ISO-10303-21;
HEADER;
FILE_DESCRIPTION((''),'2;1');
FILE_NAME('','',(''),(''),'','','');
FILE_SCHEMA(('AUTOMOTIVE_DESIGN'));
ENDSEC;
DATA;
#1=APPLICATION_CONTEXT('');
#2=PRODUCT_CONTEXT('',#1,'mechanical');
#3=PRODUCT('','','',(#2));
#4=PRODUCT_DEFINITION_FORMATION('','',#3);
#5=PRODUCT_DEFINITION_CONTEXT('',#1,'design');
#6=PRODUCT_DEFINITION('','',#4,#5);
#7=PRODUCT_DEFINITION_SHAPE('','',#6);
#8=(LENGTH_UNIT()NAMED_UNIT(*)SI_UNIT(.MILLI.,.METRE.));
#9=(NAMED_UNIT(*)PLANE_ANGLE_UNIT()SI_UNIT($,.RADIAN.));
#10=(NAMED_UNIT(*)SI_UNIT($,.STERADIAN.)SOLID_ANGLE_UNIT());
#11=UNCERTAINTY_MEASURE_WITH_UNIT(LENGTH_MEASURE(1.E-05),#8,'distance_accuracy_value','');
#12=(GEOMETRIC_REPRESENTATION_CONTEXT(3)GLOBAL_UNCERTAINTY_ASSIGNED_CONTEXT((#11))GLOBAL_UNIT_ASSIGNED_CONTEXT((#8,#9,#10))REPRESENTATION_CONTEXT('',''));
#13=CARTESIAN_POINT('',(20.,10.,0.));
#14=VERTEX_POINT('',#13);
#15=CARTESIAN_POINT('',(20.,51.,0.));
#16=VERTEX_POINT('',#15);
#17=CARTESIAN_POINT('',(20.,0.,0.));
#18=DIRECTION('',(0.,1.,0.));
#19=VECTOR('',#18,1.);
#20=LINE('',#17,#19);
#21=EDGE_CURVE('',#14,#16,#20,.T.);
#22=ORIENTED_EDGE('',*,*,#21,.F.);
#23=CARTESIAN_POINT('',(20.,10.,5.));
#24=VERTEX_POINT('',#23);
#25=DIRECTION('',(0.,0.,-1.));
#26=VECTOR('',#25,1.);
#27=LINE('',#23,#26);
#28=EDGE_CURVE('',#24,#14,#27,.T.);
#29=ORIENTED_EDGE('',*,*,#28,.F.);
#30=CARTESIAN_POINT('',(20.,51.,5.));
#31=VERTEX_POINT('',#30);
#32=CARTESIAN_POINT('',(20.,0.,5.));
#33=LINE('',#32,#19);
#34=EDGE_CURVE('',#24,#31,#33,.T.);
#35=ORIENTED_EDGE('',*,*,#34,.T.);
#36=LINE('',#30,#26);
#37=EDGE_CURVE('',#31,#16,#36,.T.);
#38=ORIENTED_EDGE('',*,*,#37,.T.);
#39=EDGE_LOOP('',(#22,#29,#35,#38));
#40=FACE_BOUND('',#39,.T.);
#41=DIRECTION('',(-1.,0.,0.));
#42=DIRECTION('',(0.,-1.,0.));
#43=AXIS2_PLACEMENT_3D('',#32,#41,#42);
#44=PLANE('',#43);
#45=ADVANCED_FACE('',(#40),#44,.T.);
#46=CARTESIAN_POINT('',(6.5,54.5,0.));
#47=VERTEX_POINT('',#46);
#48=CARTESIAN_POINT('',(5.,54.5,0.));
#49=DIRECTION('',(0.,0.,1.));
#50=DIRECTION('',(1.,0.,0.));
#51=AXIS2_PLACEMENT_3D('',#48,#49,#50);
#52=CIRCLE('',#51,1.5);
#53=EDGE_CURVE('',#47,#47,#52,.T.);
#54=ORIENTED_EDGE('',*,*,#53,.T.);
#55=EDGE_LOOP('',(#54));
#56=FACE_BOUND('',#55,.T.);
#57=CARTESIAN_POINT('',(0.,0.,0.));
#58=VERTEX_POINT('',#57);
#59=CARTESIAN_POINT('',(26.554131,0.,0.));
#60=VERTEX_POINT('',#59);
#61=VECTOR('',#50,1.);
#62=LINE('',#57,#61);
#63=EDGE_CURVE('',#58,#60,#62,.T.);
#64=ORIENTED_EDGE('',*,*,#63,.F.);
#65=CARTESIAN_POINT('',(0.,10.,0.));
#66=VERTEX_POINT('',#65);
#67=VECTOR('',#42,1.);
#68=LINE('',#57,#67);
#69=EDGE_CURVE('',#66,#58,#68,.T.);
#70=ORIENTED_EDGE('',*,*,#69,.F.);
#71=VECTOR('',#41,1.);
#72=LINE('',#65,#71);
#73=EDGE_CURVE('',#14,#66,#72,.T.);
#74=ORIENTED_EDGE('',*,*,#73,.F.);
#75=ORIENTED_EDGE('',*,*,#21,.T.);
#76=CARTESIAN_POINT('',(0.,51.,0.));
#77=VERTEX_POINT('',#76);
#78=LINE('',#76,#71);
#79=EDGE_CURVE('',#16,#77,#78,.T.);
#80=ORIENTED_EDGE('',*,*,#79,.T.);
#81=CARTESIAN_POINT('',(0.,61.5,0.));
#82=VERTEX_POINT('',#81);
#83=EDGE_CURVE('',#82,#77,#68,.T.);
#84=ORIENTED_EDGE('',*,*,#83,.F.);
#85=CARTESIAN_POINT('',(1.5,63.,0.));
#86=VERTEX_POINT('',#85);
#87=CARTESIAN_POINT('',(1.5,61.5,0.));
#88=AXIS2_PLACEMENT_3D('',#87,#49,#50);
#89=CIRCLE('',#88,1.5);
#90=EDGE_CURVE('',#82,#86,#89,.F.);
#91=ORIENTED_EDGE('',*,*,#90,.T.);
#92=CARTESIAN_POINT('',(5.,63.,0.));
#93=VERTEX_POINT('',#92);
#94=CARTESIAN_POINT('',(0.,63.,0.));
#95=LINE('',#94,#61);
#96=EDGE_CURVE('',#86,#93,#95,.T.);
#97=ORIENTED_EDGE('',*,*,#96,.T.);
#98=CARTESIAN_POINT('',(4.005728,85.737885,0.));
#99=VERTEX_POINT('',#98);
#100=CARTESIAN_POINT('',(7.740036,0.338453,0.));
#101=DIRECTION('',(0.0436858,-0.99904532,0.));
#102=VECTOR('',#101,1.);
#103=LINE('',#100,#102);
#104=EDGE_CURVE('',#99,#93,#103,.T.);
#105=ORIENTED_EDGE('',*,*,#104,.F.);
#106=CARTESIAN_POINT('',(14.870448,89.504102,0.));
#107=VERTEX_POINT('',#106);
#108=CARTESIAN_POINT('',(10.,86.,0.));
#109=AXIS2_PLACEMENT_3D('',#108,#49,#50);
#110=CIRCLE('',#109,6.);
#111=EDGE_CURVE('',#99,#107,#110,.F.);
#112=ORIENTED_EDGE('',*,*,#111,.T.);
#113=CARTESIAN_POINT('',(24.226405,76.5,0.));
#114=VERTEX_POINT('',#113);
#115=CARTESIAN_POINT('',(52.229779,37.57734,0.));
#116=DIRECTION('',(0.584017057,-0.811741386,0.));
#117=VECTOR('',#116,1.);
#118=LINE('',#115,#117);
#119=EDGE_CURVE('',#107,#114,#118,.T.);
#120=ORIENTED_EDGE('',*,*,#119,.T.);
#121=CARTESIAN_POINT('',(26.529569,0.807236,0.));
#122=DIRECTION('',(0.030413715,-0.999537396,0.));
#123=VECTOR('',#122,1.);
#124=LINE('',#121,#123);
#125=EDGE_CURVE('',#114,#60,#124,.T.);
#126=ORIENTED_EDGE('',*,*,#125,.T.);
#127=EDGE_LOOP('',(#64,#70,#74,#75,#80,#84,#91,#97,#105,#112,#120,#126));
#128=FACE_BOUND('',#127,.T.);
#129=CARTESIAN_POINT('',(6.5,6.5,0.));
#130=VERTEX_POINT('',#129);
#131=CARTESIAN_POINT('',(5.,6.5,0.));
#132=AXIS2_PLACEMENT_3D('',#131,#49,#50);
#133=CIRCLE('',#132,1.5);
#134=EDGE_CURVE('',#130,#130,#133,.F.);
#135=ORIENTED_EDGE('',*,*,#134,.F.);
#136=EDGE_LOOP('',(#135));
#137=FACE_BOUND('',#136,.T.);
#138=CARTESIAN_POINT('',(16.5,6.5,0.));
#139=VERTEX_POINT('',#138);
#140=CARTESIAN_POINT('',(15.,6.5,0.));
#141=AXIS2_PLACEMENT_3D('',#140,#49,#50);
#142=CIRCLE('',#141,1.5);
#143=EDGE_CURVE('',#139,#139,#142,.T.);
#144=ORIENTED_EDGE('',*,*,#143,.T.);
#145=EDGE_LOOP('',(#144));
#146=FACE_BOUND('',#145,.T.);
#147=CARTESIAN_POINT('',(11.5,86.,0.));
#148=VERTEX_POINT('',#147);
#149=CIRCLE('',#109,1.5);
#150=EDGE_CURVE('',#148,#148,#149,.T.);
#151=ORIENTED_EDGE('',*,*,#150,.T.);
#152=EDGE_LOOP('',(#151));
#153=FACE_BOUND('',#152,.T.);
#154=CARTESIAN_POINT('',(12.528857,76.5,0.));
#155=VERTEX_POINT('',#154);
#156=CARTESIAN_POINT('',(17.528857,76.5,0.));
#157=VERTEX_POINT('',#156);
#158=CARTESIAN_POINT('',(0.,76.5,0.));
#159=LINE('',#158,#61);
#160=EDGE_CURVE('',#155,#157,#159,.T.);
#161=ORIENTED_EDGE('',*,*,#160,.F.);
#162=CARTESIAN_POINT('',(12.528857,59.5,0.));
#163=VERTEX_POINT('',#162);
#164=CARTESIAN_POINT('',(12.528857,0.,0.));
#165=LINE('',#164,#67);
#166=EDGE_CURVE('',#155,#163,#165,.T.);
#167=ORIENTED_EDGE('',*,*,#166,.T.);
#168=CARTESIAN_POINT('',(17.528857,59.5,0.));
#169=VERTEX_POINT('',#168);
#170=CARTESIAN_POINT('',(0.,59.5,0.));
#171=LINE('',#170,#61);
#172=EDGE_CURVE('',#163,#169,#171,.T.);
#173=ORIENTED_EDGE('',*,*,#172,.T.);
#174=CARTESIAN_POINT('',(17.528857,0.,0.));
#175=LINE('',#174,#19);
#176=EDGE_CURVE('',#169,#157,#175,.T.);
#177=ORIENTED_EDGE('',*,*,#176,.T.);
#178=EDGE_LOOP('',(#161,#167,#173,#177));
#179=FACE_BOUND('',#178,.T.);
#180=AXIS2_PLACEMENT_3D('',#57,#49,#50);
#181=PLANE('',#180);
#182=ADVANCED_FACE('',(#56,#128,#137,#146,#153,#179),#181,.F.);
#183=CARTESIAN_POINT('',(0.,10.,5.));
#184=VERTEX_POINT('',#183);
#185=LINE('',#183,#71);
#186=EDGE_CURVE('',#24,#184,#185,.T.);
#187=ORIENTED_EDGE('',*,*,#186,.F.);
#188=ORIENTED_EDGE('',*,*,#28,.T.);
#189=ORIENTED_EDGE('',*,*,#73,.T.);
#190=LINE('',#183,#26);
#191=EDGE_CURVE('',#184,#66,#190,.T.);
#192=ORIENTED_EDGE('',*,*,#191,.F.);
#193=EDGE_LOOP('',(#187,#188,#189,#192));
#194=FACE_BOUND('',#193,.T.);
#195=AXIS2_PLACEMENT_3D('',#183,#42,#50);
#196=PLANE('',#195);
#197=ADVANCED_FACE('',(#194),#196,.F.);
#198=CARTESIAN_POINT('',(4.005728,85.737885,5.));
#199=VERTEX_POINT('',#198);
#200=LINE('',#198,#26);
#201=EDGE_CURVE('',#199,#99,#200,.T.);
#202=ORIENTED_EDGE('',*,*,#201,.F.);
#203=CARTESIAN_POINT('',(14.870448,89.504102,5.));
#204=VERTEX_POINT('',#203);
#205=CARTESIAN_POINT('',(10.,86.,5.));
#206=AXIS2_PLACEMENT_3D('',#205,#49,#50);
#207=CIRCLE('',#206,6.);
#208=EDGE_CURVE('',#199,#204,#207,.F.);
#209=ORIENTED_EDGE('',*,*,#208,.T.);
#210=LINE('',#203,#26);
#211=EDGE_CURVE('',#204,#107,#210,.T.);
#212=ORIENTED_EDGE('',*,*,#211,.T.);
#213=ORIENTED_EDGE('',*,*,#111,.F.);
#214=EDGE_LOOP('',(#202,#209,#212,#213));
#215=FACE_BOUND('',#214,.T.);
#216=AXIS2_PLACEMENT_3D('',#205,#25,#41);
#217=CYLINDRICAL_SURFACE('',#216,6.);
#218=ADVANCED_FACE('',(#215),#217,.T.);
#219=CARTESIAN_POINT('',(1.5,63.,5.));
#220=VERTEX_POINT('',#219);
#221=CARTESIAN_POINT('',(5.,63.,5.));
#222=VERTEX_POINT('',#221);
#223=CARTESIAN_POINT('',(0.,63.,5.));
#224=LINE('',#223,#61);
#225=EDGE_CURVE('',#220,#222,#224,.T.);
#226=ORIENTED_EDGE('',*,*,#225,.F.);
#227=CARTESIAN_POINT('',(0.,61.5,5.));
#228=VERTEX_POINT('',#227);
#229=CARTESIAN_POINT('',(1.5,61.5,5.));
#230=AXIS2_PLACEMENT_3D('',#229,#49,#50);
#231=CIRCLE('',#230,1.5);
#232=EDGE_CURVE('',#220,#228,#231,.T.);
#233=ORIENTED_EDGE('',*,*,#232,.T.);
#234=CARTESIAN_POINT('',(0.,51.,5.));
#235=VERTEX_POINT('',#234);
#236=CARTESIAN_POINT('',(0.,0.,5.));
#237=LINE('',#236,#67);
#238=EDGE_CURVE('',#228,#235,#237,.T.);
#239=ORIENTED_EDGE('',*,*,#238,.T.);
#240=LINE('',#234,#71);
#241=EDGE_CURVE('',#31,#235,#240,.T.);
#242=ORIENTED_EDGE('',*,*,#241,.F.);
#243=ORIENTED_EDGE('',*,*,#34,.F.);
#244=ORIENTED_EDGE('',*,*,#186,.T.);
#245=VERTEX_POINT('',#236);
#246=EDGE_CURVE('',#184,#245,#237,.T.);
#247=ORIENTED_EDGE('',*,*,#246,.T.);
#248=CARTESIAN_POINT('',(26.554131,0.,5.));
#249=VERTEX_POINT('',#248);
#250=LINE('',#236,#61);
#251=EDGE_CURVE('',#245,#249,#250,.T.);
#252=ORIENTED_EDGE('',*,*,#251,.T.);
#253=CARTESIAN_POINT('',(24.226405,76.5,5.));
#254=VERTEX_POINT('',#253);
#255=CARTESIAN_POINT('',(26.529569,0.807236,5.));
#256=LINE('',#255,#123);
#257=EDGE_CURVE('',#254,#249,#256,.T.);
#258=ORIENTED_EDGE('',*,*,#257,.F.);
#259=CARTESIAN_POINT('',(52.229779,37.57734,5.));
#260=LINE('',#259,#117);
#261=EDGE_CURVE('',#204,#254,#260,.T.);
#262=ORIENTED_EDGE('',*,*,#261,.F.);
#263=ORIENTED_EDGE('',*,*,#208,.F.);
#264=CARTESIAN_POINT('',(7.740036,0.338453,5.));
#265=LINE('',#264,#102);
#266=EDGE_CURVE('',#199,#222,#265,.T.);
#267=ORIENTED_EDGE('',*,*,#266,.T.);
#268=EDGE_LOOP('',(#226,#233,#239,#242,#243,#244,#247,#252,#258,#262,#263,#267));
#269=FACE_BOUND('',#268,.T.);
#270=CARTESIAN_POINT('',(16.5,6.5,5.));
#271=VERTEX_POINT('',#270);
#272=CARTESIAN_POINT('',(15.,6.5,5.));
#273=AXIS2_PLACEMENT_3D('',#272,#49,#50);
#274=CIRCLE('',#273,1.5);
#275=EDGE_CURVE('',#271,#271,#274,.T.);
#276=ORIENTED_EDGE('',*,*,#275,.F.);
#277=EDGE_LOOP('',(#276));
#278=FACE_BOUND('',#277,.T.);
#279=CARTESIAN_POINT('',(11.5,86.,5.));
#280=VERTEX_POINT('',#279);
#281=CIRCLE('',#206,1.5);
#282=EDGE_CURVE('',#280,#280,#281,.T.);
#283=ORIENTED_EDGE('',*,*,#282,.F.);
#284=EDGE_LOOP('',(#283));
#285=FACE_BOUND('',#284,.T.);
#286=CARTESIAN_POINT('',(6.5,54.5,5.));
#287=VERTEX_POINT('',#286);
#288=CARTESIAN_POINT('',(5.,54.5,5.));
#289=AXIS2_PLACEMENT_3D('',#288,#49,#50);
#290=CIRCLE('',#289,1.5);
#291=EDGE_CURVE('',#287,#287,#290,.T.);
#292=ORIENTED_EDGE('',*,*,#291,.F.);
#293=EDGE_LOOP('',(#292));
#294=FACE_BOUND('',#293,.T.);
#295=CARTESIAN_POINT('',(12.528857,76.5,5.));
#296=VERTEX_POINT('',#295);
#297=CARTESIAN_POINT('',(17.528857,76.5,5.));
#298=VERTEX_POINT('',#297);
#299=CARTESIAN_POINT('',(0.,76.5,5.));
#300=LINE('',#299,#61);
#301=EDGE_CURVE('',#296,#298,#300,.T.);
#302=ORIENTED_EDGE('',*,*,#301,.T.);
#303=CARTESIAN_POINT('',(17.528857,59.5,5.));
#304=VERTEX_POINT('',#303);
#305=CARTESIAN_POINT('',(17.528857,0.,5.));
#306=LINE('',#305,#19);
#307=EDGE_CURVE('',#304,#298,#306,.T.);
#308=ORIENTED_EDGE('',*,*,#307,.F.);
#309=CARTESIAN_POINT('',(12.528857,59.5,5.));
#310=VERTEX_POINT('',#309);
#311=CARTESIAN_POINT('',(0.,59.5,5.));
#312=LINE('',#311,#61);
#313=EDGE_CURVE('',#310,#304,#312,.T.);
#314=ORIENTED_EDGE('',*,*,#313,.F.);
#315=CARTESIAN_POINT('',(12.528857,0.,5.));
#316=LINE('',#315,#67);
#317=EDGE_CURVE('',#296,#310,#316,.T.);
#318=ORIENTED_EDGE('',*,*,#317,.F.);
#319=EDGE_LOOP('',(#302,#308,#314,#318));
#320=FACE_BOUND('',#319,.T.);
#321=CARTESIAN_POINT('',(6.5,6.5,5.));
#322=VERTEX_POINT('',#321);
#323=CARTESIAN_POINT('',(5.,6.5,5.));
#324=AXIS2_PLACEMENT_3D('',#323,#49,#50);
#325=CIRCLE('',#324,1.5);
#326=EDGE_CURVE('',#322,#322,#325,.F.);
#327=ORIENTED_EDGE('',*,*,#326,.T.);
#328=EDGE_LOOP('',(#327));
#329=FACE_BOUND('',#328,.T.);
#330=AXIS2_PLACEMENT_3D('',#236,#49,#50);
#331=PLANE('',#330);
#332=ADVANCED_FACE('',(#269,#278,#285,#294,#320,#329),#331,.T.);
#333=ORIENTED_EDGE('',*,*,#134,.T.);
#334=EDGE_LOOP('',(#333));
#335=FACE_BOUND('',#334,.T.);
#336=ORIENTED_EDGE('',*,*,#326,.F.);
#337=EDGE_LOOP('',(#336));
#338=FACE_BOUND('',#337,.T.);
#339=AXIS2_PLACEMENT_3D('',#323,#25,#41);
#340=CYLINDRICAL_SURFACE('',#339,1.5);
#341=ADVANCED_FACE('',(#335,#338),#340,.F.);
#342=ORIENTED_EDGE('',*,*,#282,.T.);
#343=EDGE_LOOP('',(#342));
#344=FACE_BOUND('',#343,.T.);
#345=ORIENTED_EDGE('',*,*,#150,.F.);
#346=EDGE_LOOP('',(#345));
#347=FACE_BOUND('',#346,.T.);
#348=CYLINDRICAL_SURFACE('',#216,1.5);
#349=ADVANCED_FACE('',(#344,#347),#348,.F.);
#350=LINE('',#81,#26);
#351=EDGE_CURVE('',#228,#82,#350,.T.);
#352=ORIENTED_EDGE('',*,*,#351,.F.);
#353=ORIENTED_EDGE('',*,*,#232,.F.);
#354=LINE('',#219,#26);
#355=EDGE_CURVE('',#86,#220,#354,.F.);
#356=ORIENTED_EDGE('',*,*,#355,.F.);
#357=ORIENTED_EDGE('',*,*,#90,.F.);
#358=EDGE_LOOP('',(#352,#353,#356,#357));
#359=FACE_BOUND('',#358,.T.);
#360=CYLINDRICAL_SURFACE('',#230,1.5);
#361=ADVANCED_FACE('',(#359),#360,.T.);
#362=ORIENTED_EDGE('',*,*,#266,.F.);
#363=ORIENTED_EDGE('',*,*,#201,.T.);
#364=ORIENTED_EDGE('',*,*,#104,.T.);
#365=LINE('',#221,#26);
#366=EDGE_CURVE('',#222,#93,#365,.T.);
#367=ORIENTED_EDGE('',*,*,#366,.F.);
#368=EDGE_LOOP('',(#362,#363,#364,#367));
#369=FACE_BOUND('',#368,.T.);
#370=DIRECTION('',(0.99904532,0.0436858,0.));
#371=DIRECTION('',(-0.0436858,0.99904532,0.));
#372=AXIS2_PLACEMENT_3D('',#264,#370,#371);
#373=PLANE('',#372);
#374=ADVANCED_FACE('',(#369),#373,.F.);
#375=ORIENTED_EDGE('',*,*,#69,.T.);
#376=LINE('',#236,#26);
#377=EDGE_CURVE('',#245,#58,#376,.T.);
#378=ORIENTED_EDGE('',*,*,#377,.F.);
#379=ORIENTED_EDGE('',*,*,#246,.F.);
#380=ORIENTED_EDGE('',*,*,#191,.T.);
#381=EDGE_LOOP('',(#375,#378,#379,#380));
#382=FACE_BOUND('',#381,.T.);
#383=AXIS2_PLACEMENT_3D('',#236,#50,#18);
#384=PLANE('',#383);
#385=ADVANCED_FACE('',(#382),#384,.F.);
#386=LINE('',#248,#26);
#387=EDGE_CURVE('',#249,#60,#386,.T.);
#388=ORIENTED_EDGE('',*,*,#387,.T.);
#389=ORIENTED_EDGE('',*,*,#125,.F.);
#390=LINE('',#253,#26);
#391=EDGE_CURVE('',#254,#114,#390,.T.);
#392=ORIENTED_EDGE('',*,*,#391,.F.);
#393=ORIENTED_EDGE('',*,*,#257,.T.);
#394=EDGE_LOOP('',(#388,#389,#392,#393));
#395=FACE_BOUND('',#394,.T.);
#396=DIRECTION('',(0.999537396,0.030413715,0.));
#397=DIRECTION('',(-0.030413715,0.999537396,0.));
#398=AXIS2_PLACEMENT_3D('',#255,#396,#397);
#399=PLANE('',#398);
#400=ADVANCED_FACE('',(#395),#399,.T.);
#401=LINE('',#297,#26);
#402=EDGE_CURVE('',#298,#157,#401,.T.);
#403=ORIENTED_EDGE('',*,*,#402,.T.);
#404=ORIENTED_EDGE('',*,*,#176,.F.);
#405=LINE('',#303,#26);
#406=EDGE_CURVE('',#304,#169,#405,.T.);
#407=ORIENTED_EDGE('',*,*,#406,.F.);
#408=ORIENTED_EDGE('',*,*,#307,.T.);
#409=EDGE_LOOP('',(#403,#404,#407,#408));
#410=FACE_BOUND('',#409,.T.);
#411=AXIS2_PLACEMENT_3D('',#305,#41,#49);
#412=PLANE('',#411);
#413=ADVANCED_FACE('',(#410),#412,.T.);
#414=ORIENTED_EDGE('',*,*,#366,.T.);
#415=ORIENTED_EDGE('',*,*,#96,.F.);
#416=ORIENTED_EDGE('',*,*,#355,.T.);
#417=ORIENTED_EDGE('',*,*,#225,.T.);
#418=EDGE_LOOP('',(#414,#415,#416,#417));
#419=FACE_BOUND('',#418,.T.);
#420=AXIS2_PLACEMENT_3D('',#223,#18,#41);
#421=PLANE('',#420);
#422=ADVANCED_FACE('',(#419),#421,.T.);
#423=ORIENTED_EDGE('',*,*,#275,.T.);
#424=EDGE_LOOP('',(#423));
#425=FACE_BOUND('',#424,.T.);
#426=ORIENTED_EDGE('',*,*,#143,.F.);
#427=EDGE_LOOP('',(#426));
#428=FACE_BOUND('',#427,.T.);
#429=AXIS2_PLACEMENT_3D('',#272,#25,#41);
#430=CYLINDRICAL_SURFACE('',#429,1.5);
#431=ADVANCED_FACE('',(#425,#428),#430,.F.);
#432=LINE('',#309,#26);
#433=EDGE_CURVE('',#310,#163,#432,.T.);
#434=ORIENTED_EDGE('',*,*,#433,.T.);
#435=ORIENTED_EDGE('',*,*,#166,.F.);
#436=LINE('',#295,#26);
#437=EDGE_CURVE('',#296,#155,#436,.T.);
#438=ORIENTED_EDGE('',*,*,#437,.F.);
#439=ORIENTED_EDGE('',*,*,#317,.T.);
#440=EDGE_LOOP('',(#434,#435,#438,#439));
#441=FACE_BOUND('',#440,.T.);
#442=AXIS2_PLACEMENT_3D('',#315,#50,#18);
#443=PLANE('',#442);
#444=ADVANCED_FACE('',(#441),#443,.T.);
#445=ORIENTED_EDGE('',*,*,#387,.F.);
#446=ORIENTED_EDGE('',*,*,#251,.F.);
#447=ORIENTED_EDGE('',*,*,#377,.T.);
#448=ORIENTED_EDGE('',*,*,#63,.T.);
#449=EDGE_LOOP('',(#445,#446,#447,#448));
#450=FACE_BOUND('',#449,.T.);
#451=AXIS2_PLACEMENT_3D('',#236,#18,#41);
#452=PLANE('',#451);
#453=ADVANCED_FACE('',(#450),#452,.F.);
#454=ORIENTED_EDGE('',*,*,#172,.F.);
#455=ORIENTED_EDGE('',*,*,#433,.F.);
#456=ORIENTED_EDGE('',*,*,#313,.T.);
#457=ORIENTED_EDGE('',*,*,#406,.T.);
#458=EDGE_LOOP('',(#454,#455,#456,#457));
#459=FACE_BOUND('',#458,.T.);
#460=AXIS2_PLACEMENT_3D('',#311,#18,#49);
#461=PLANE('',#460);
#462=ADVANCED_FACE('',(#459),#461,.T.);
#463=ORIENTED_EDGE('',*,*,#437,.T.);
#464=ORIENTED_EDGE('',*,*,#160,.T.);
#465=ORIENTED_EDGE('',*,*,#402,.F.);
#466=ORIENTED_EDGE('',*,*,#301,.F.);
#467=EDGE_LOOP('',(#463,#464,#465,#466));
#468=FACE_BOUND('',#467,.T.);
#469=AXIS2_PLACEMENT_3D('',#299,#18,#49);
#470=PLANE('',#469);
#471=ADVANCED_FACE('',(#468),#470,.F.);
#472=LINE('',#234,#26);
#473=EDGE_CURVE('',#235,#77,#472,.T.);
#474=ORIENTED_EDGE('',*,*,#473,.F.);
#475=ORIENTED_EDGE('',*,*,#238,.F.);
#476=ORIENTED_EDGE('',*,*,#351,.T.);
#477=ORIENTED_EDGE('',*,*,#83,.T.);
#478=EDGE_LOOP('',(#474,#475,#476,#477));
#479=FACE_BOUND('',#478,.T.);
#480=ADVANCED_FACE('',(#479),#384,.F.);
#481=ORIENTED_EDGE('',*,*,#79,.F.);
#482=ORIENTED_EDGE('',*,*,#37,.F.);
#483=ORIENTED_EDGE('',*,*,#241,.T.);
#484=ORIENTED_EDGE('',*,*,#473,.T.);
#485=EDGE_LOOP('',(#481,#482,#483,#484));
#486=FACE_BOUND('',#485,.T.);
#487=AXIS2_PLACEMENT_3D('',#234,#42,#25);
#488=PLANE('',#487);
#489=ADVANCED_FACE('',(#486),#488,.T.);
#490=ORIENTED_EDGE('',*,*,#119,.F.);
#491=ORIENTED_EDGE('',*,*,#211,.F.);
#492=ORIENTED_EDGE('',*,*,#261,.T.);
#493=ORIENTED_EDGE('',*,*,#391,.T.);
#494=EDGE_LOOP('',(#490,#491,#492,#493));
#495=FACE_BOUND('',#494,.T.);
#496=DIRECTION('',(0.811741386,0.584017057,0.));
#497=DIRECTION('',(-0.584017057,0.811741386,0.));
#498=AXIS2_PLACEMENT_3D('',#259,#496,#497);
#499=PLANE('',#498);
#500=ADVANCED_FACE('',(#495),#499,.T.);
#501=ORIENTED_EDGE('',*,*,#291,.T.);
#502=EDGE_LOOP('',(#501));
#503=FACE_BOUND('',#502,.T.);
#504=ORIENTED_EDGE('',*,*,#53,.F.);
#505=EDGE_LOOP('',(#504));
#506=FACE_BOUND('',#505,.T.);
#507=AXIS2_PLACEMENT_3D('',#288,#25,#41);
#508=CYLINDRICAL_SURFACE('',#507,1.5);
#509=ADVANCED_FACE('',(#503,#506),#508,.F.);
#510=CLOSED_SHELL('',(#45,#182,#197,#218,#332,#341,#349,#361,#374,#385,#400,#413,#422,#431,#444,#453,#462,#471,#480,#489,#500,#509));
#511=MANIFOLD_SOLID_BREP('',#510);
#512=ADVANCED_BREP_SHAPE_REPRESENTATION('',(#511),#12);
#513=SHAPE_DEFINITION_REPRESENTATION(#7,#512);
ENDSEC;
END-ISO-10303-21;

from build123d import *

# Parameters (mm, degrees)
ESQUISSE1_R        = 1.5
ESQUISSE1_W        = 5
ESQUISSE1_H        = 17
BOSS_EXTRU_1_DEPTH = 5
CONG_3_R           = 1.5


with BuildPart() as part:
    # Esquisse1 → Boss.-Extru.1 (new body)
    with BuildSketch(Plane.XY):
        with BuildLine():
            Line((0, 10), (0, 0))
            Line((0, 0), (26.554131445, 0))
            Line((26.554131445, 0), (24.226405413, 76.5))
            Line((24.226405413, 76.5), (14.870448313, 89.504102342))
            ThreePointArc((14.870448313, 89.504102342), (8.034842814, 91.669052587), (4.005728082, 85.7378852))
            Line((4.005728082, 85.7378852), (5, 63))
            Line((5, 63), (0, 63))
            Line((0, 63), (0, 51))
            Line((0, 51), (11, 51))
            Line((11, 51), (20, 51))
            Line((20, 51), (20, 10))
            Line((20, 10), (11, 10))
            Line((11, 10), (0, 10))
        make_face()
        with Locations((5, 54.5)):
            Circle(ESQUISSE1_R, mode=Mode.SUBTRACT)
        with Locations((15, 6.5)):
            Circle(ESQUISSE1_R, mode=Mode.SUBTRACT)
        with Locations((5, 6.5)):
            Circle(ESQUISSE1_R, mode=Mode.SUBTRACT)
        with Locations((10, 86)):
            Circle(ESQUISSE1_R, mode=Mode.SUBTRACT)
        with Locations((15.02885683, 68)):
            Rectangle(ESQUISSE1_W, ESQUISSE1_H, mode=Mode.SUBTRACT)
    extrude(amount=BOSS_EXTRU_1_DEPTH)

    # Congé3
    cong_3_edges = [part.edges().sort_by_distance(p)[0] for p in [
        (0, 63, 2.5),
    ]]
    fillet(cong_3_edges, radius=CONG_3_R)


solid = part.part
